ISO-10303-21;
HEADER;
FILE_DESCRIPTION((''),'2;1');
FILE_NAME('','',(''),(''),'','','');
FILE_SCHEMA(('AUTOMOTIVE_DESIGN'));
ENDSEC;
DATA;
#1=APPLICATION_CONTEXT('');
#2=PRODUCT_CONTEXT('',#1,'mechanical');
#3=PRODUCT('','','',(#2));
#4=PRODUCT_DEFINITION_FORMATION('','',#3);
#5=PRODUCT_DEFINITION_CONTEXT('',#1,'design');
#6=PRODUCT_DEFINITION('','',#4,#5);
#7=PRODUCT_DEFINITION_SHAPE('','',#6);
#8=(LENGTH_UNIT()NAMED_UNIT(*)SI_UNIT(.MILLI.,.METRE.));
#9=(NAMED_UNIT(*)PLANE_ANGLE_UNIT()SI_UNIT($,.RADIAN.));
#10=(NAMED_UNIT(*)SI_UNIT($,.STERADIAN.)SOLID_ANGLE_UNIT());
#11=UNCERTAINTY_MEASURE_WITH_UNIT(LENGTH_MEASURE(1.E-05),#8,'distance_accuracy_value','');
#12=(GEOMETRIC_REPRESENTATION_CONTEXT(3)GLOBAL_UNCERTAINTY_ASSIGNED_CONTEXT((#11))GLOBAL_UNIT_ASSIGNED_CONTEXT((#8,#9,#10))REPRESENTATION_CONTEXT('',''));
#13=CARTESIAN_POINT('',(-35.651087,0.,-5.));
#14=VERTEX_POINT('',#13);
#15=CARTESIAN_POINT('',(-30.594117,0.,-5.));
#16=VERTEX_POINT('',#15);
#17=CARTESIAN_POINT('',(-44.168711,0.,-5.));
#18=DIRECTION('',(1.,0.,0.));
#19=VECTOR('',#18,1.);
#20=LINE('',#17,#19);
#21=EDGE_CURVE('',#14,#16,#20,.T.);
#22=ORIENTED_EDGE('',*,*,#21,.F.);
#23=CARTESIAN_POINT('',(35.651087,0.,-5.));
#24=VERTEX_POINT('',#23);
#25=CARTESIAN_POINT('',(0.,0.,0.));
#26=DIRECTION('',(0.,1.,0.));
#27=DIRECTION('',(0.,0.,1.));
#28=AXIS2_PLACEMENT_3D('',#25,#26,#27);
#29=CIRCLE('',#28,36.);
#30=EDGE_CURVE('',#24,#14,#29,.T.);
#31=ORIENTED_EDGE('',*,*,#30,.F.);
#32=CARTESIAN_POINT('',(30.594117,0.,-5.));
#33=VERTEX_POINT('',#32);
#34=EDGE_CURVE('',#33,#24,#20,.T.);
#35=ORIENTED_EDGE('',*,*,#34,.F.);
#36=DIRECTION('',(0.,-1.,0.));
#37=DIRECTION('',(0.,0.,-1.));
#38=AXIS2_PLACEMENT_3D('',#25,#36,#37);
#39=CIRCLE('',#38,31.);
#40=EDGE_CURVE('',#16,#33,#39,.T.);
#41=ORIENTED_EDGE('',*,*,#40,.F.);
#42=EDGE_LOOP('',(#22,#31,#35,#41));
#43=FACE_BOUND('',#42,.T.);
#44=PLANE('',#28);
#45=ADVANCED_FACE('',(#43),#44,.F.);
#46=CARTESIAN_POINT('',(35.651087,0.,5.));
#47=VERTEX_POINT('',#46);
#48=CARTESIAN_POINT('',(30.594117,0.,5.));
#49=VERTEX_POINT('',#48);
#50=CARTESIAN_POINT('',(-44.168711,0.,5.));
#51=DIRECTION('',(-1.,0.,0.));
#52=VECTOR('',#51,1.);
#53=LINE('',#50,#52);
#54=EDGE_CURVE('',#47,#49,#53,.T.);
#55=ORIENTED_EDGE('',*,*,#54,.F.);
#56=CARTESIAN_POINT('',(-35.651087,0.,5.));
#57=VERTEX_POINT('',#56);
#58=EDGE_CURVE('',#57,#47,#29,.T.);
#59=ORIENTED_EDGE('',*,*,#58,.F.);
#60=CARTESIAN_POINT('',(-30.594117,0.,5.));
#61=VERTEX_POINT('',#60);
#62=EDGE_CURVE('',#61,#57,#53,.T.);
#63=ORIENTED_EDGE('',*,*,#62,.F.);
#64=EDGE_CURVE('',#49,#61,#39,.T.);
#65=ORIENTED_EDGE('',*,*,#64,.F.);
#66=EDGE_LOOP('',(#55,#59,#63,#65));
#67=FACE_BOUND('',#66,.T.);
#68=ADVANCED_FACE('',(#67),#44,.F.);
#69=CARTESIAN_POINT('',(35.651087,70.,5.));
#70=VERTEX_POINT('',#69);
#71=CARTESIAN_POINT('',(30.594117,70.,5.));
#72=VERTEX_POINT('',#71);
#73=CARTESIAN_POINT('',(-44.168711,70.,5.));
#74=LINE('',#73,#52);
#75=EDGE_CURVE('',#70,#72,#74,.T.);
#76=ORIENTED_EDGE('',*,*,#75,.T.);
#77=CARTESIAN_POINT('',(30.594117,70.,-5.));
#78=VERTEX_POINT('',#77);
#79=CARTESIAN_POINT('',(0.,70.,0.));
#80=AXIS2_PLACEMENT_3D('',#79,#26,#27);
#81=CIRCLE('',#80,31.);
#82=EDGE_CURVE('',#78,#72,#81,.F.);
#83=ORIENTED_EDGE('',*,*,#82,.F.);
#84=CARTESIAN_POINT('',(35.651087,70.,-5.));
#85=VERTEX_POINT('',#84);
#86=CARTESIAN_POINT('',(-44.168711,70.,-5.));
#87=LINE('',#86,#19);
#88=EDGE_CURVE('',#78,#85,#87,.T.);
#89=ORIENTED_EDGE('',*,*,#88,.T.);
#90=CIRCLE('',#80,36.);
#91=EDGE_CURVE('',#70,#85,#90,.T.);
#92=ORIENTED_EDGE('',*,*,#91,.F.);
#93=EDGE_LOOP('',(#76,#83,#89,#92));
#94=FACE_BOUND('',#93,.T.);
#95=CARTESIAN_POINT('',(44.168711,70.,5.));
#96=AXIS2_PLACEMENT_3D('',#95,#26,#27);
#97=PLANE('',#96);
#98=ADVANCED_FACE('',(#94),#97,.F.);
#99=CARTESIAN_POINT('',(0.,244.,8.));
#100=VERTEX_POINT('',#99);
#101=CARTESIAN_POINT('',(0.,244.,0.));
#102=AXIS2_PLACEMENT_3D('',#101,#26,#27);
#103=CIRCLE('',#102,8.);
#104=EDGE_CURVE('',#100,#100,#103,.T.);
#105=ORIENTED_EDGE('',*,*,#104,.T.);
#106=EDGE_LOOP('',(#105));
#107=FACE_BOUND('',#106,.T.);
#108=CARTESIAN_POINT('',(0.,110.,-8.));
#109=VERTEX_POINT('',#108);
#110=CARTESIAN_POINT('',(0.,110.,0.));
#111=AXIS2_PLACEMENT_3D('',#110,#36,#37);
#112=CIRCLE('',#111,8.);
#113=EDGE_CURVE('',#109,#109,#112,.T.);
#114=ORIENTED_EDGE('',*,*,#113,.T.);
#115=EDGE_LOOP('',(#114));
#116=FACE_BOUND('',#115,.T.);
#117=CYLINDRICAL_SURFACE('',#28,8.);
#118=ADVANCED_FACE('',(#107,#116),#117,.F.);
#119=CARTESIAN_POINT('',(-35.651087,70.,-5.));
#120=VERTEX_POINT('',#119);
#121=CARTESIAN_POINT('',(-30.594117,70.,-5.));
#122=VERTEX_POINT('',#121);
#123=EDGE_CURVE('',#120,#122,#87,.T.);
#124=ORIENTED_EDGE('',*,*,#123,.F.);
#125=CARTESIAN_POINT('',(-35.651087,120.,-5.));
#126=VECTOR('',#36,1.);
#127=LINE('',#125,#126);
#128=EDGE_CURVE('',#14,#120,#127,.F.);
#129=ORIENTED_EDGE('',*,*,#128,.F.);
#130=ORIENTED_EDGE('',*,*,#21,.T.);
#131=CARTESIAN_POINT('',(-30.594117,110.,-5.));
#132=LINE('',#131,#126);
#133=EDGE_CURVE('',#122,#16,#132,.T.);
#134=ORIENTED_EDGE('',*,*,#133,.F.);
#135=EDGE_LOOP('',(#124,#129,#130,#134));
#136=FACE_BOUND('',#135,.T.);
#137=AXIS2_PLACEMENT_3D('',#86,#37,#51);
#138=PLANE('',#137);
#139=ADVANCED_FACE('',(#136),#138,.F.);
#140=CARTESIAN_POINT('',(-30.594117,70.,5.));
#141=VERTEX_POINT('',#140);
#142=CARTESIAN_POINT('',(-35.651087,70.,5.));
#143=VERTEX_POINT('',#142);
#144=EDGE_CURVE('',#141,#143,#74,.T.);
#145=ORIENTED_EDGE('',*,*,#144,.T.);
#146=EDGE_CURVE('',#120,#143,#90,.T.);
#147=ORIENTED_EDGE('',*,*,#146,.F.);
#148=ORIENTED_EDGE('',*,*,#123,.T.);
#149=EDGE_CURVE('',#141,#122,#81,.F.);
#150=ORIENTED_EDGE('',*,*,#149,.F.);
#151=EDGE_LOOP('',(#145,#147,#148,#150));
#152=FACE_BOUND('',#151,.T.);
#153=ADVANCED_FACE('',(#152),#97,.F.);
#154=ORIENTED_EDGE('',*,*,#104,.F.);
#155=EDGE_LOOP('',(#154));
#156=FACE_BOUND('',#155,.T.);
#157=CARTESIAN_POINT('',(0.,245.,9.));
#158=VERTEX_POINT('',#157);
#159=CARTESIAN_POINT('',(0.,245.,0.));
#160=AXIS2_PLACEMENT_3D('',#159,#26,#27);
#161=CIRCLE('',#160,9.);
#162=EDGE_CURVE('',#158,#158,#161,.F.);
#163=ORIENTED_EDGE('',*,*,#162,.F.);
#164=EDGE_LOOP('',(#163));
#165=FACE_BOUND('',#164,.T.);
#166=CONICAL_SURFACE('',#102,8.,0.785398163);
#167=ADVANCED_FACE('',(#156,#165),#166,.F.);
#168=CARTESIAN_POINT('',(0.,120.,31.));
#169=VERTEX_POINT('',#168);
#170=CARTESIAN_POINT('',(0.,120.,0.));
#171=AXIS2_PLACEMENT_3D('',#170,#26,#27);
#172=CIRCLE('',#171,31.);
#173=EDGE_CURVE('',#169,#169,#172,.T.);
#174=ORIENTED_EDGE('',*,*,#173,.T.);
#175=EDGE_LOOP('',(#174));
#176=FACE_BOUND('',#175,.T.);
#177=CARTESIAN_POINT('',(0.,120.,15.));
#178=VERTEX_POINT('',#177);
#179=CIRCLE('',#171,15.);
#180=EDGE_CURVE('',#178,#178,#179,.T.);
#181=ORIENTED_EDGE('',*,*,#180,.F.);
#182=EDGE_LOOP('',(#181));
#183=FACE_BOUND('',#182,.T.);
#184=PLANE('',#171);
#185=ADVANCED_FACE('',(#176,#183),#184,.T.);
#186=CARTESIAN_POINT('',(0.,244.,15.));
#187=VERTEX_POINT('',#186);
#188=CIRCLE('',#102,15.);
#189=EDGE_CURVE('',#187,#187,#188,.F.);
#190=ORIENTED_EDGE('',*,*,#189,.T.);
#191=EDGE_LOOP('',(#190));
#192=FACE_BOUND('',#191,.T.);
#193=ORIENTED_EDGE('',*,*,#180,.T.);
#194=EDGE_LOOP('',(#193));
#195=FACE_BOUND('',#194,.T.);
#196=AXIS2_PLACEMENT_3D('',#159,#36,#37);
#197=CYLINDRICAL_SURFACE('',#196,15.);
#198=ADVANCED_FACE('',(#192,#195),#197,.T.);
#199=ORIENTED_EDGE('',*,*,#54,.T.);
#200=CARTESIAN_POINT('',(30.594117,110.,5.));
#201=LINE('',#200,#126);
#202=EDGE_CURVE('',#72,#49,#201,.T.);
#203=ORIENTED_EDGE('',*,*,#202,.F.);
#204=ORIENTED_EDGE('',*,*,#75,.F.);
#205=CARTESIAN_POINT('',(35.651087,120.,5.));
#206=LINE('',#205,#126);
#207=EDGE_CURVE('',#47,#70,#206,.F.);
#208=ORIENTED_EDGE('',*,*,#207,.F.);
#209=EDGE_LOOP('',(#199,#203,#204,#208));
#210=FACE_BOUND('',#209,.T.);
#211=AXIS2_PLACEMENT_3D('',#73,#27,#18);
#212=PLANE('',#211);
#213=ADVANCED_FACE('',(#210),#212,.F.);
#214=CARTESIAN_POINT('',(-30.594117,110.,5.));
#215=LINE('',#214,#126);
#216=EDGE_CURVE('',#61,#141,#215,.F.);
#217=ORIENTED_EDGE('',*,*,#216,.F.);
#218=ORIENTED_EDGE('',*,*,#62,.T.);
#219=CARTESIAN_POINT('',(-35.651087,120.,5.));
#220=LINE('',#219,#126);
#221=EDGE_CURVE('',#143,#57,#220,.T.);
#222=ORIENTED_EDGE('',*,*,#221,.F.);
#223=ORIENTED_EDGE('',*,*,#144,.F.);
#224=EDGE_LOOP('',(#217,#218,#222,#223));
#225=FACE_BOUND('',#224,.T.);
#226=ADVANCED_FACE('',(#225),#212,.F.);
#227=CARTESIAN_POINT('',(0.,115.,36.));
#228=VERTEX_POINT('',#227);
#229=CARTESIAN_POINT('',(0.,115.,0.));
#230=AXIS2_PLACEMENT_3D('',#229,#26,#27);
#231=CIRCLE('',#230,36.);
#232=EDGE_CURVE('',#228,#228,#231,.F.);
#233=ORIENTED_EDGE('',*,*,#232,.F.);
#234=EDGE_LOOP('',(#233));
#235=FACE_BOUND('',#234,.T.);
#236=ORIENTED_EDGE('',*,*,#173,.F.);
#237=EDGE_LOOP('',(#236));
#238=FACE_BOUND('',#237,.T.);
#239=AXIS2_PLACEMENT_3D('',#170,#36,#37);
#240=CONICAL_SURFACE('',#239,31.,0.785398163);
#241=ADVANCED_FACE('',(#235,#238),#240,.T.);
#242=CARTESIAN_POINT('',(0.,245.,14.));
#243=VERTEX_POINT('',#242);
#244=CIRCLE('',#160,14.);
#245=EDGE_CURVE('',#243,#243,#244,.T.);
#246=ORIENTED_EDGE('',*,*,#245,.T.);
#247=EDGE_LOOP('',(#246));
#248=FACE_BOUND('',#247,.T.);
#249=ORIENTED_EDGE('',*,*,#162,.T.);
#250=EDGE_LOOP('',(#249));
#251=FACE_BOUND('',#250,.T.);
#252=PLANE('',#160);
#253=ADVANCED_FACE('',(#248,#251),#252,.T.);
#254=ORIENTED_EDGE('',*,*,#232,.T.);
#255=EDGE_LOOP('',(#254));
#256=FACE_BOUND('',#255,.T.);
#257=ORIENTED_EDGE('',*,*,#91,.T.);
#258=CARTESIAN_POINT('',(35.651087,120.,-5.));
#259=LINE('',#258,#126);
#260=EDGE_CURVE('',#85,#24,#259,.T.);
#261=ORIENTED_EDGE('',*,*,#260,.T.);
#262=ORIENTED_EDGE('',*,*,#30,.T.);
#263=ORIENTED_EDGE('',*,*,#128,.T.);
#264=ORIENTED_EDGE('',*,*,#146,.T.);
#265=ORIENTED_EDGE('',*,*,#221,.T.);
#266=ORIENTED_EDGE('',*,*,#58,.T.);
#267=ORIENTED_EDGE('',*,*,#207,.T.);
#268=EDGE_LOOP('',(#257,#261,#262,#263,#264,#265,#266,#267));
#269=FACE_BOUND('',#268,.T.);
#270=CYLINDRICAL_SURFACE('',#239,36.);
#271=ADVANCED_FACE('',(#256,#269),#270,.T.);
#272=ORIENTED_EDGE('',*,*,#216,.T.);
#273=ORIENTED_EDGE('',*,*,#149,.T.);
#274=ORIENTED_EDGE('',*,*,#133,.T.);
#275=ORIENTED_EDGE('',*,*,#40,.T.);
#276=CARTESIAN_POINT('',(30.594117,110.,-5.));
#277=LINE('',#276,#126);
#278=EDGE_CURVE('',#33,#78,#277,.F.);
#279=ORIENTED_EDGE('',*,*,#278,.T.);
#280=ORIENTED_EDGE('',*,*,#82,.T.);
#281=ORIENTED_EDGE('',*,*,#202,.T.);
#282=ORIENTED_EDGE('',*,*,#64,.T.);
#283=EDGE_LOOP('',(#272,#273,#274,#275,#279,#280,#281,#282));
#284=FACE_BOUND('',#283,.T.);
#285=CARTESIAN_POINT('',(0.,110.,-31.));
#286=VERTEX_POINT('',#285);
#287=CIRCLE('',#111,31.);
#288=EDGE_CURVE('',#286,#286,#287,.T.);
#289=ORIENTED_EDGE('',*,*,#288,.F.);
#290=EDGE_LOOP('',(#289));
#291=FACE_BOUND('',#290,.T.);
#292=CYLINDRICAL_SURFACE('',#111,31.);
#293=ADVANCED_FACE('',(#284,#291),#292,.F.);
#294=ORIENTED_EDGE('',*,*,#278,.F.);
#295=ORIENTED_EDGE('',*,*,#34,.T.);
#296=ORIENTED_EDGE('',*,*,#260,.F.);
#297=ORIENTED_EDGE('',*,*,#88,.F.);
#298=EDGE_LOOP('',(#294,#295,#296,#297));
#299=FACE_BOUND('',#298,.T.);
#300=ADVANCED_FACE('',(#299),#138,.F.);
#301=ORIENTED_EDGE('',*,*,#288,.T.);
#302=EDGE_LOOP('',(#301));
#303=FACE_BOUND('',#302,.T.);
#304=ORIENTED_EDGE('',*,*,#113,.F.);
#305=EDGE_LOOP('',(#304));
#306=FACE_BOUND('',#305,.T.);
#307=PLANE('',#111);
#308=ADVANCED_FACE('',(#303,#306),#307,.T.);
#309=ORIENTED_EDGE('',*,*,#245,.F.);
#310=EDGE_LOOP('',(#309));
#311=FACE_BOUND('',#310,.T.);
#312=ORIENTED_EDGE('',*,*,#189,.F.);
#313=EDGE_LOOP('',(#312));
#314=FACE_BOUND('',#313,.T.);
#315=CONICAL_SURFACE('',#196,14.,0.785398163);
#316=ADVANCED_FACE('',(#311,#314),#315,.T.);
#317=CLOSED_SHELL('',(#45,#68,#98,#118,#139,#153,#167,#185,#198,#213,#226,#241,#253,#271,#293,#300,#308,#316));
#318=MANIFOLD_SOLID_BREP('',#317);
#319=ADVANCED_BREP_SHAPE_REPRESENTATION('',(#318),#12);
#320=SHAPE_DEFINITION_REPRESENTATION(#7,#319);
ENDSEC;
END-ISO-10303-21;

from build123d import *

# Parameters (mm, degrees)
SCHIZZO1_R        = 36
ESTRUSIONE1_DEPTH = 120
SCHIZZO2_R        = 31
ESTRUSIONE2_DEPTH = 110
SMUSSO1_SIZE      = 5
SCHIZZO3_R        = 15
ESTRUSIONE3_DEPTH = 125
SCHIZZO4_R        = 8
ESTRUSIONE4_DEPTH = 251.23389059
SMUSSO2_SIZE      = 1
SCHIZZO5_W        = 88.337421072
SCHIZZO5_H        = 10
ESTRUSIONE5_DEPTH = 70


with BuildPart() as part:
    # Schizzo1 → Estrusione1 (new body)
    with BuildSketch(Plane(origin=(0, 0, 0), x_dir=(1, 0, 0), z_dir=(0, 1, 0))):
        with Locations(Location((0, 0, 0), (0, 0, 270))):
            Circle(SCHIZZO1_R)
    extrude(amount=ESTRUSIONE1_DEPTH)

    # Schizzo2 → Estrusione2 (cut)
    with BuildSketch(Plane.XZ):
        with Locations(Location((0, 0, 0), (0, 0, 270))):
            Circle(SCHIZZO2_R)
    extrude(amount=-ESTRUSIONE2_DEPTH, mode=Mode.SUBTRACT)

    # Smusso1
    smusso1_edges = [part.edges().sort_by_distance(p)[0] for p in [
        (0, 120, -36),
    ]]
    chamfer(smusso1_edges, length=SMUSSO1_SIZE)

    # Schizzo3 → Estrusione3 (add)
    with BuildSketch(Plane(origin=(0, 120, 0), x_dir=(1, 0, 0), z_dir=(0, 1, 0))):
        with Locations(Location((0, 0, 0), (0, 0, 270))):
            Circle(SCHIZZO3_R)
    extrude(amount=ESTRUSIONE3_DEPTH)

    # Schizzo4 → Estrusione4 (cut, through all)
    with BuildSketch(Plane(origin=(0, 245, 0), x_dir=(1, 0, 0), z_dir=(0, 1, 0))):
        with Locations(Location((0, 0, 0), (0, 0, 270))):
            Circle(SCHIZZO4_R)
    extrude(amount=-ESTRUSIONE4_DEPTH, mode=Mode.SUBTRACT)

    # Smusso2
    smusso2_edges = [part.edges().sort_by_distance(p)[0] for p in [
        (0, 245, -15),
        (0, 245, -8),
    ]]
    chamfer(smusso2_edges, length=SMUSSO2_SIZE)

    # Schizzo5 → Estrusione5 (cut)
    with BuildSketch(Plane.XZ):
        Rectangle(SCHIZZO5_W, SCHIZZO5_H)
    extrude(amount=-ESTRUSIONE5_DEPTH, mode=Mode.SUBTRACT)


solid = part.part
